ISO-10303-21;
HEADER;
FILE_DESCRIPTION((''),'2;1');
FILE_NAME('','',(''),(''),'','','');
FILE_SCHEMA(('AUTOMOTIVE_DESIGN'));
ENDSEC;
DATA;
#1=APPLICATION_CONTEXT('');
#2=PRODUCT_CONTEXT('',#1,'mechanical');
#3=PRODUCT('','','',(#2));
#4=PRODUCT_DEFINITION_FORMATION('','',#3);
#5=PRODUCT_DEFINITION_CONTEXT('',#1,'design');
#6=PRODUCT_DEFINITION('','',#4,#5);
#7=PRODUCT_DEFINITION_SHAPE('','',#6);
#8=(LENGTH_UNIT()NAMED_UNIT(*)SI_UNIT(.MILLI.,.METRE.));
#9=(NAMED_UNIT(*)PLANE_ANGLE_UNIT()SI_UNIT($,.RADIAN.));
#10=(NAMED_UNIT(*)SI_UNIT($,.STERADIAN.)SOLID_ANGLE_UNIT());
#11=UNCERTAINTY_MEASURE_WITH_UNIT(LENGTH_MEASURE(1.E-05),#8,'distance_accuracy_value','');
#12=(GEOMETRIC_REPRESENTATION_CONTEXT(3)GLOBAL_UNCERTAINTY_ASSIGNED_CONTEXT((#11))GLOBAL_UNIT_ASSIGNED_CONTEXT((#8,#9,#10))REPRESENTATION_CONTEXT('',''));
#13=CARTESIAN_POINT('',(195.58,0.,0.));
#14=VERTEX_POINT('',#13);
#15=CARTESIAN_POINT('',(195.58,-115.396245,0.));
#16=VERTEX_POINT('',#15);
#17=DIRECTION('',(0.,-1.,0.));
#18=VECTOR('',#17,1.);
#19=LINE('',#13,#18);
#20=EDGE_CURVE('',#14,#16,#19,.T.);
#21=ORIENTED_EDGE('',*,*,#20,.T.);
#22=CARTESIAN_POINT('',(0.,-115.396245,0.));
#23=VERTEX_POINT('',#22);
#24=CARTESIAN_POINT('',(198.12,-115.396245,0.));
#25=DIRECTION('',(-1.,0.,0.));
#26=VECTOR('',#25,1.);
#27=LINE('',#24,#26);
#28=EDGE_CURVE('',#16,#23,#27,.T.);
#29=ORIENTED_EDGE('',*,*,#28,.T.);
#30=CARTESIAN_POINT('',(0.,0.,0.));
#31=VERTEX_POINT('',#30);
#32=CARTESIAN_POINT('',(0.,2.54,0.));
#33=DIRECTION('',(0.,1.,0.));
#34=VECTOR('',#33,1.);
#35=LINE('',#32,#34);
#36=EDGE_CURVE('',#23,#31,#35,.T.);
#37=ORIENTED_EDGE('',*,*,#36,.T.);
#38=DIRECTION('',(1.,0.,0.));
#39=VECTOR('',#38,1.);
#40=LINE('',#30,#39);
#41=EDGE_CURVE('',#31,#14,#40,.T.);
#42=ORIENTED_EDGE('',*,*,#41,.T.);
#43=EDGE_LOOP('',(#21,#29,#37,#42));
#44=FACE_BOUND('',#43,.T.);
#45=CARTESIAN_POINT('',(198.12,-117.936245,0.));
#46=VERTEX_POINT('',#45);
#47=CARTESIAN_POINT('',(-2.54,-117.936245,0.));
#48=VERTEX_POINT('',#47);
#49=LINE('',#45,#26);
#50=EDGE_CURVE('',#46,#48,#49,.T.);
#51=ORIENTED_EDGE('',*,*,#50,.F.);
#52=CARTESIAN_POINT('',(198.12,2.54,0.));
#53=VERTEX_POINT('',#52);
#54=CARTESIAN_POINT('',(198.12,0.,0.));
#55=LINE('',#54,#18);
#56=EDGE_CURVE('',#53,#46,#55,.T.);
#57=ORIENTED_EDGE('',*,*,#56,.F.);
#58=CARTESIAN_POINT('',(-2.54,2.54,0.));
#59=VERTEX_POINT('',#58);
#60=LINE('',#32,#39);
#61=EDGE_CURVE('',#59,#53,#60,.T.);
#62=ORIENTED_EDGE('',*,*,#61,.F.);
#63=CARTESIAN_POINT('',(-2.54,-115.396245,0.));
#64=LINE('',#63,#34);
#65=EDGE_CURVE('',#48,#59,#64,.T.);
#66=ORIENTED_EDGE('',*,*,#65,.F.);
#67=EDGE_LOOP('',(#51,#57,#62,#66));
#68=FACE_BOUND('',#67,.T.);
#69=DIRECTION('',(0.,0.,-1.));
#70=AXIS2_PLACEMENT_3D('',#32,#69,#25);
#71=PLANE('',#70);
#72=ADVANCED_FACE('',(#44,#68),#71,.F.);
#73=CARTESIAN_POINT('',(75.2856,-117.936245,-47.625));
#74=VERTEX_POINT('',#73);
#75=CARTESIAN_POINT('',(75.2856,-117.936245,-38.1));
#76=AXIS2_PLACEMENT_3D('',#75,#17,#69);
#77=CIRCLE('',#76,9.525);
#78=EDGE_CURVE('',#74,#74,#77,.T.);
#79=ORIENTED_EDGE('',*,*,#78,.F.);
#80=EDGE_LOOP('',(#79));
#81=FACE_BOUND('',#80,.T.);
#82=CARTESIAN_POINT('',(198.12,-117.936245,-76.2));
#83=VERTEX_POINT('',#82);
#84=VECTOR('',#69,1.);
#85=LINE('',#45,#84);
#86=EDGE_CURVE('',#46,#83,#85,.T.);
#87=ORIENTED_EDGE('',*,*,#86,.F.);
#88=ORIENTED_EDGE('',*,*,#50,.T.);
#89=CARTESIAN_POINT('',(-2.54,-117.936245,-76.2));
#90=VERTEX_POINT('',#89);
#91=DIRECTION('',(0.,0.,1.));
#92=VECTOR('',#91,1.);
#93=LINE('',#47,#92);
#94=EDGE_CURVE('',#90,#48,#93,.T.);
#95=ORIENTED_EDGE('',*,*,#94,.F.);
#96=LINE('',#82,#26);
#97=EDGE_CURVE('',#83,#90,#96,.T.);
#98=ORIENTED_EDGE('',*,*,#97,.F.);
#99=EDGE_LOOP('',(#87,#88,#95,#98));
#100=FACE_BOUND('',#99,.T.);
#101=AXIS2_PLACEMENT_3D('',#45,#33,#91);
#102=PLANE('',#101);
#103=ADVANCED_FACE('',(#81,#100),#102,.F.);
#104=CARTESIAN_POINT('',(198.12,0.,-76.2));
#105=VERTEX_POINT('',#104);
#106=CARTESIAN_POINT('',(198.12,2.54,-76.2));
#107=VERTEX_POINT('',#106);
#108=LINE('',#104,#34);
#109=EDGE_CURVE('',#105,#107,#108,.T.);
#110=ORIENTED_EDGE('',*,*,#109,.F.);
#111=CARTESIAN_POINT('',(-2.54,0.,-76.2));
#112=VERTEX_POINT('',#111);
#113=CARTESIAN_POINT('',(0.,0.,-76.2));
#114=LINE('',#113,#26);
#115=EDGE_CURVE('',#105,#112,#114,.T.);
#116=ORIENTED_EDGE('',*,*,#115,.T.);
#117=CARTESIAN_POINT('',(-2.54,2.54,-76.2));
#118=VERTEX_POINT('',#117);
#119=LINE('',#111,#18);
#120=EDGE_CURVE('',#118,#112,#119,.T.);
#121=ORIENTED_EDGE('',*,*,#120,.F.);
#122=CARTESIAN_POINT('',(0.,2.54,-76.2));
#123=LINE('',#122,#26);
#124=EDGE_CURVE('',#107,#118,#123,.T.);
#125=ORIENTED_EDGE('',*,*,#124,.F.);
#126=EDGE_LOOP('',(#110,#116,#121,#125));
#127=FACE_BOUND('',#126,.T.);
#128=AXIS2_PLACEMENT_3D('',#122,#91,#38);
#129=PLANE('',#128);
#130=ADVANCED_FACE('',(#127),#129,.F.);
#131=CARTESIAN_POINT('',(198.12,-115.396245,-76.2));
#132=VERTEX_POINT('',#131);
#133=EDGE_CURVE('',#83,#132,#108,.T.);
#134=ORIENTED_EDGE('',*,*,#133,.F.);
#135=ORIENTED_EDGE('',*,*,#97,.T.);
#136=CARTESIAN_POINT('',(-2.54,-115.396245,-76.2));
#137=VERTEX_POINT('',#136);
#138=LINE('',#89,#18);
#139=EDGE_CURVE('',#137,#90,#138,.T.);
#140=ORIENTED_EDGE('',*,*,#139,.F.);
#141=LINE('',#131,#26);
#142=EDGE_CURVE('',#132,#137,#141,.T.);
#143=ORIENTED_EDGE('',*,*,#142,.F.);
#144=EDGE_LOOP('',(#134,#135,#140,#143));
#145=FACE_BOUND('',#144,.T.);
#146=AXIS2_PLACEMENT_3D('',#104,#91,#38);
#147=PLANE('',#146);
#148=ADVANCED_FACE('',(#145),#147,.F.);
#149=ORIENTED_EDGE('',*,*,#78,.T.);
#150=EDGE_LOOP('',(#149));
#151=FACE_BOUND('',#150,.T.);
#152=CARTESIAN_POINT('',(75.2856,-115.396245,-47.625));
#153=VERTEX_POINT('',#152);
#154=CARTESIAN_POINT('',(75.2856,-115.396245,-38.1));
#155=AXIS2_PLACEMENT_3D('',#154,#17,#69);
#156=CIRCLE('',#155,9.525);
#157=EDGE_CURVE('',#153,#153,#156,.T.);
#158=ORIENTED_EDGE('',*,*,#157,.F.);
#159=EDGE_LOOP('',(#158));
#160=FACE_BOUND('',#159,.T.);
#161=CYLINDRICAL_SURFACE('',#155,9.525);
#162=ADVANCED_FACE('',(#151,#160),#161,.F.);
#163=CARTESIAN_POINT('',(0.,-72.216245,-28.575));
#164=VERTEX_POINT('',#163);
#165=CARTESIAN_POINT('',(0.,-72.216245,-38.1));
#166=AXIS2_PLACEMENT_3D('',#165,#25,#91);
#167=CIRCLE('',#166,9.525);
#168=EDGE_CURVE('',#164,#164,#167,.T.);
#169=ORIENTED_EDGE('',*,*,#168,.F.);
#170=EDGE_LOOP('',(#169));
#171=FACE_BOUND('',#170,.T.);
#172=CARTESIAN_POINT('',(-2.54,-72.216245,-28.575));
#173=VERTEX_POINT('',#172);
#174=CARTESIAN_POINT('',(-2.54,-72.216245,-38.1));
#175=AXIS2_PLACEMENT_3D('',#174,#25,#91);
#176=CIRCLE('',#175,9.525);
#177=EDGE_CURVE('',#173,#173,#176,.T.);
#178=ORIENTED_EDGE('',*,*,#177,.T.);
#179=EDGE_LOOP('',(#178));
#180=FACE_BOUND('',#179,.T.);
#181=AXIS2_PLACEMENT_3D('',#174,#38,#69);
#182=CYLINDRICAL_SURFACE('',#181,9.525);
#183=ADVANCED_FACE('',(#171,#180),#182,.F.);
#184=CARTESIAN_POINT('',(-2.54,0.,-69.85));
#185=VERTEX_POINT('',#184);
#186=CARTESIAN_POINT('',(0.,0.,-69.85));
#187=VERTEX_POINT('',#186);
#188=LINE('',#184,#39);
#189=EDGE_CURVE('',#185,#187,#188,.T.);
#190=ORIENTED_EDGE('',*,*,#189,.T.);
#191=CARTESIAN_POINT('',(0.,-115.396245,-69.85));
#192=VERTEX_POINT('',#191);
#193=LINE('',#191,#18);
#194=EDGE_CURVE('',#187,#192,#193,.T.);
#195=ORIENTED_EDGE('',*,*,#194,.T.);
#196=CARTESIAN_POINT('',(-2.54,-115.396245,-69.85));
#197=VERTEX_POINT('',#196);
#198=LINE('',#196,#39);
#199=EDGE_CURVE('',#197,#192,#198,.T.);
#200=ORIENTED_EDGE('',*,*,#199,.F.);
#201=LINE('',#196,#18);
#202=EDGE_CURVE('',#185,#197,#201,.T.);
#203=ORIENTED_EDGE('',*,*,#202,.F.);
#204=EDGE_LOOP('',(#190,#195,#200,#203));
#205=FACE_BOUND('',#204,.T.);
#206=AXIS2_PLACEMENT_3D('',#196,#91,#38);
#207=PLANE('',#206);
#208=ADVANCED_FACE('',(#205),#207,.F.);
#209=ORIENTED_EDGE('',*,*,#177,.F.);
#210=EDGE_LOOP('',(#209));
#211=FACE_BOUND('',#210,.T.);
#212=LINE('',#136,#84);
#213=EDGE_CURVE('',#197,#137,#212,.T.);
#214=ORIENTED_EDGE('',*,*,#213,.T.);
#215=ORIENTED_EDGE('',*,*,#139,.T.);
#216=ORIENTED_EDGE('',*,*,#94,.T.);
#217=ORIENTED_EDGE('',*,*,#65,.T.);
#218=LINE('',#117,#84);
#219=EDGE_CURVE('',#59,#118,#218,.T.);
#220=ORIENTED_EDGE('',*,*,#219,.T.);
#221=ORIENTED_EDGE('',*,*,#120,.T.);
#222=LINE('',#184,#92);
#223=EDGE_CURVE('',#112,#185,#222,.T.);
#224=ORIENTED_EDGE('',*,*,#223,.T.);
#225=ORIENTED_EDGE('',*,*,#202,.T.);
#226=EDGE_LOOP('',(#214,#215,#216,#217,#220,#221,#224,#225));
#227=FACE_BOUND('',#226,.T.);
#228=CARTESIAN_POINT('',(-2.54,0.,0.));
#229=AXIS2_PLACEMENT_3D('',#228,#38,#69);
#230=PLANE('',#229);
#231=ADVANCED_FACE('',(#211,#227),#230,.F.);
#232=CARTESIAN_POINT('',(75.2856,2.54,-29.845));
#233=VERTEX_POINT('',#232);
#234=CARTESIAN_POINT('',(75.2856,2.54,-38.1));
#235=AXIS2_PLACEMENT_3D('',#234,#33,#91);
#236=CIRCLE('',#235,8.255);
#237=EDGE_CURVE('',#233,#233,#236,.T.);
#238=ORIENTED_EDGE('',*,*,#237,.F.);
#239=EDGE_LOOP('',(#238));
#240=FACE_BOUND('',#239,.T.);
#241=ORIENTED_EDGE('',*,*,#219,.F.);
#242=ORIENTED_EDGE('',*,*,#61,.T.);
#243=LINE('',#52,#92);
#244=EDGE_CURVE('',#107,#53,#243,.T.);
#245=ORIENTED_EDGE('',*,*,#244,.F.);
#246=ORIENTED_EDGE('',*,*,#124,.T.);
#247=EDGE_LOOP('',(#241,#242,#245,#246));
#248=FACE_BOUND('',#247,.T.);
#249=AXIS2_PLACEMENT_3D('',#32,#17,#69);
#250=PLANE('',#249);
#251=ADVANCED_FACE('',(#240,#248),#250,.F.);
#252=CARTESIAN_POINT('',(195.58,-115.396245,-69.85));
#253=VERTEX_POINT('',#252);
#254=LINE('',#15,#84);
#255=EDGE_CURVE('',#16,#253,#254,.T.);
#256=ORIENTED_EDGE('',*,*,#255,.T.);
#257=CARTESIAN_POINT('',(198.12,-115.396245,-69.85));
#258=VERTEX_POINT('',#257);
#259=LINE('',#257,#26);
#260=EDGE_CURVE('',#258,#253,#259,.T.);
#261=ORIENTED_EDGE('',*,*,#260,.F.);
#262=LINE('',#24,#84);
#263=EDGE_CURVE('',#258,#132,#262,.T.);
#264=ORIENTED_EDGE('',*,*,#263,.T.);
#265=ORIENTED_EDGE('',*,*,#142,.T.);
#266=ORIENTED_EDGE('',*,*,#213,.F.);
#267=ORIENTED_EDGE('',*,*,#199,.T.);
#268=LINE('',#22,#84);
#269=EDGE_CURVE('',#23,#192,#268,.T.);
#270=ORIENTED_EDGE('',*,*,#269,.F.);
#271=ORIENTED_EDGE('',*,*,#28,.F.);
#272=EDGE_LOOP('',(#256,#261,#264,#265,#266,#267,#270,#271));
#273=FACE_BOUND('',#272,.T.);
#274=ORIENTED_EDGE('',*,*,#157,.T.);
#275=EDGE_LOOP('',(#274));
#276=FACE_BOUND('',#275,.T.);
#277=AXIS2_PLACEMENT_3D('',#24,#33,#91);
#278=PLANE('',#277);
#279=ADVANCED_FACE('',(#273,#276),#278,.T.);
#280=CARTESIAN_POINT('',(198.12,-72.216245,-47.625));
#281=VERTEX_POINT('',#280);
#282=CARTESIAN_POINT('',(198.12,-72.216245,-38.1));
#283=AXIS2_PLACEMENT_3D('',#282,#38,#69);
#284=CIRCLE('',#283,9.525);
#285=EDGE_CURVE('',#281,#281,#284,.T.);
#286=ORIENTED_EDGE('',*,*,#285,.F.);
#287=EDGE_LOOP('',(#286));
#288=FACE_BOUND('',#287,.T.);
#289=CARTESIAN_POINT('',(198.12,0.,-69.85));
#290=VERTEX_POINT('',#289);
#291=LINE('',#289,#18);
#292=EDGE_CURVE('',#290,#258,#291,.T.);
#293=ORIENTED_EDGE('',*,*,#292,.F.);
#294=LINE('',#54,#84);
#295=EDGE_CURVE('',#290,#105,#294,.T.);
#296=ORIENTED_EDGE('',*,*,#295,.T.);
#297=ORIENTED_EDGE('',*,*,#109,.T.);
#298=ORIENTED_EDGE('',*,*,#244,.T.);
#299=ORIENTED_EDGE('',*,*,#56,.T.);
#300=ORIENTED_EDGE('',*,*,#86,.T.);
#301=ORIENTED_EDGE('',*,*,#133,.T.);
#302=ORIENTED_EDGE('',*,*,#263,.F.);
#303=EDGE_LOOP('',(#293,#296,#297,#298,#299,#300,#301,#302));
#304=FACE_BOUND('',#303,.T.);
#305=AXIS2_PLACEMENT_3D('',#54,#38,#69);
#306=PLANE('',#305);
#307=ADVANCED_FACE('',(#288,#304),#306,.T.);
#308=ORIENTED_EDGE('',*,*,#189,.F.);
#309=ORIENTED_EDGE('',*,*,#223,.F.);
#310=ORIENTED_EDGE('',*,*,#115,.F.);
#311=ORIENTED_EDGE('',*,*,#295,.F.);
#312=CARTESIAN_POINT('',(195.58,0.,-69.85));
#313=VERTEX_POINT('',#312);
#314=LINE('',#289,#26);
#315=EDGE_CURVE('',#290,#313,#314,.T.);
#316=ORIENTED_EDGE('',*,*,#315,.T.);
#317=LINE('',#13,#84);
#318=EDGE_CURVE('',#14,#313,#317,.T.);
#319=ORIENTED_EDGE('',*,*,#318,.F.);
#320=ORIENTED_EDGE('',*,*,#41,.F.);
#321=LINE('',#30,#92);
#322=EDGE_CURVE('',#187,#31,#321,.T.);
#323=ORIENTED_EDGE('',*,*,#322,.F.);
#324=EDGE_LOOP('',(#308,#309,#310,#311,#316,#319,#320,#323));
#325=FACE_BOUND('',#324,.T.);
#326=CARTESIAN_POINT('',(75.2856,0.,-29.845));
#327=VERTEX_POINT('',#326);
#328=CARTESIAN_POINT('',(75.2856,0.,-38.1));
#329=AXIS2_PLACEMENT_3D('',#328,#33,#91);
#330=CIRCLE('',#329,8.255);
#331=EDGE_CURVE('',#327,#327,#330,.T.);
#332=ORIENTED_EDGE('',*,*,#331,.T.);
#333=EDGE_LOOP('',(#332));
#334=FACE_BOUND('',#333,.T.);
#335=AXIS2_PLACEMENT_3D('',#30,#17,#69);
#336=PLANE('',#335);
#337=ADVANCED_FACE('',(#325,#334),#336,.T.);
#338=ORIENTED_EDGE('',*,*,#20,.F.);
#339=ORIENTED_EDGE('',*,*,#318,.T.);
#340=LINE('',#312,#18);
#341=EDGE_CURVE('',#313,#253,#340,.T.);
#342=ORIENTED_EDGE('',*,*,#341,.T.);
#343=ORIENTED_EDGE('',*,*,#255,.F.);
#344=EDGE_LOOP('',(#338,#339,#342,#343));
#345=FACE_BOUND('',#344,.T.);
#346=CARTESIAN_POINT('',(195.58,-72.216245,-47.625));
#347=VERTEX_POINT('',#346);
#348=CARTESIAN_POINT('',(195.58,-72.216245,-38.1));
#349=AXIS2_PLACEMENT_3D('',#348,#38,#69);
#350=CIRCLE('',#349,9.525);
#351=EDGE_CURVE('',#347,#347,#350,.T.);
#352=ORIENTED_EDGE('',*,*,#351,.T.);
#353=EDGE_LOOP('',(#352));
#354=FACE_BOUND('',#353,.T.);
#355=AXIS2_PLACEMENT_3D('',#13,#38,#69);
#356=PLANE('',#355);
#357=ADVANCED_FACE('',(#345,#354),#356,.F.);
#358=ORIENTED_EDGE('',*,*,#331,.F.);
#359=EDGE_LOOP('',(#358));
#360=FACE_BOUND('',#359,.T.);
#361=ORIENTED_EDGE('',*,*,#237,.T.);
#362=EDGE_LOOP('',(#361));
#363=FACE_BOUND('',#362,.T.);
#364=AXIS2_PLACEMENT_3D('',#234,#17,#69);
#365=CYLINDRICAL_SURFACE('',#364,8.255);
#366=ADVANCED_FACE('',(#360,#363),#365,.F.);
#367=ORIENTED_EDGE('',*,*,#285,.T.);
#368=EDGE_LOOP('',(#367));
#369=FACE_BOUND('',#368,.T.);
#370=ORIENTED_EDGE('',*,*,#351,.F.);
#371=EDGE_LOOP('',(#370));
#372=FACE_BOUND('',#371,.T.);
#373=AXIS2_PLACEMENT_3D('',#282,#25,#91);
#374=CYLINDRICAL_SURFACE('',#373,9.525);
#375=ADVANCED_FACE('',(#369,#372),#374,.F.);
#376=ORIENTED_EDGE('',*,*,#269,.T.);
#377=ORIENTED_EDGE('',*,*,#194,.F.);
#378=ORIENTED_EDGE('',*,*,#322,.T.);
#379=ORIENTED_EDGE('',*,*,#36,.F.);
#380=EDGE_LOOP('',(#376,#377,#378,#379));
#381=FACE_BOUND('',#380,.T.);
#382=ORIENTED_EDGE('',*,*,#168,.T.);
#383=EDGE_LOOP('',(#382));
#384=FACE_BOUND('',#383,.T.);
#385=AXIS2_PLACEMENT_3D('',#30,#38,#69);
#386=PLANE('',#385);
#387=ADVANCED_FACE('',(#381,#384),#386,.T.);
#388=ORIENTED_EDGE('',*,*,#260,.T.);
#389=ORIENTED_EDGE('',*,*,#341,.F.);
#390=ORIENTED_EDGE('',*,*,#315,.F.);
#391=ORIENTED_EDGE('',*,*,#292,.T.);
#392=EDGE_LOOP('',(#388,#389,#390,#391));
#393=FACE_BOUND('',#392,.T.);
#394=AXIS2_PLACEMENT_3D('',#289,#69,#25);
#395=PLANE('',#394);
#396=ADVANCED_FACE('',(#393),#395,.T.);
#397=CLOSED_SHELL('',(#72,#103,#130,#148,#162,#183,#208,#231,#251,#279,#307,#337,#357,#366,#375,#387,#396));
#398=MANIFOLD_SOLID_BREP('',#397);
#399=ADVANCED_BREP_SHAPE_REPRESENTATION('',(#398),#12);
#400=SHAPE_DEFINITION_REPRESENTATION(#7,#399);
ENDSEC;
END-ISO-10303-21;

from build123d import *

# Parameters (mm, degrees)
SKETCH4_W           = 195.58
SKETCH4_H           = 76.2
SKETCH4_R           = 8.255
BOSS_EXTRUDE2_DEPTH = 2.54
SKETCH7_R           = 9.525
SKETCH7_W           = 76.2
SKETCH7_H           = 2.54
BOSS_EXTRUDE4_DEPTH = 2.54
SKETCH9_R           = 9.525
BOSS_EXTRUDE5_DEPTH = 2.54
SKETCH10_R          = 9.525
BOSS_EXTRUDE6_DEPTH = 2.54


with BuildPart() as part:
    # Sketch4 → Boss-Extrude2 (new body)
    with BuildSketch(Plane(origin=(0, 0, 0), x_dir=(1, 0, 0), z_dir=(0, 1, 0))):
        with Locations((97.79, 38.1)):
            Rectangle(SKETCH4_W, SKETCH4_H)
        with Locations((75.2856, 38.1)):
            Circle(SKETCH4_R, mode=Mode.SUBTRACT)
    extrude(amount=BOSS_EXTRUDE2_DEPTH)

    # Sketch7 → Boss-Extrude4 (add)
    with BuildSketch(Plane(origin=(195.58, 0, 0), x_dir=(0, 0, -1), z_dir=(1, 0, 0))):
        Polygon((69.85, 0), (0, 0), (0, -115.396245002), (0, -117.936245002), (76.2, -117.936245002), (76.2, -115.396245002), (69.85, -115.396245002), align=None)
        with Locations((38.1, -72.216245002)):
            Circle(SKETCH7_R, mode=Mode.SUBTRACT)
        with Locations((38.1, 1.27)):
            Rectangle(SKETCH7_W, SKETCH7_H)
    extrude(amount=BOSS_EXTRUDE4_DEPTH)

    # Sketch9 → Boss-Extrude5 (add)
    with BuildSketch(Plane(origin=(0, -117.936245002, 0), x_dir=(-1, 0, 0), z_dir=(0, -1, 0))):
        Polygon((-198.12, 0), (-195.58, 0), (0, 0), (0, 76.2), (-195.58, 76.2), (-198.12, 76.2), align=None)
        with Locations((-75.2856, 38.1)):
            Circle(SKETCH9_R, mode=Mode.SUBTRACT)
    extrude(amount=-BOSS_EXTRUDE5_DEPTH)

    # Sketch10 → Boss-Extrude6 (add)
    with BuildSketch(Plane.ZY):
        Polygon((0, 2.54), (0, 0), (0, -115.396245002), (0, -117.936245002), (-76.2, -117.936245002), (-76.2, -115.396245002), (-69.85, -115.396245002), (-69.85, 0), (-76.2, 0), (-76.2, 2.54), align=None)
        with Locations((-38.1, -72.216245002)):
            Circle(SKETCH10_R, mode=Mode.SUBTRACT)
    extrude(amount=BOSS_EXTRUDE6_DEPTH)


solid = part.part
